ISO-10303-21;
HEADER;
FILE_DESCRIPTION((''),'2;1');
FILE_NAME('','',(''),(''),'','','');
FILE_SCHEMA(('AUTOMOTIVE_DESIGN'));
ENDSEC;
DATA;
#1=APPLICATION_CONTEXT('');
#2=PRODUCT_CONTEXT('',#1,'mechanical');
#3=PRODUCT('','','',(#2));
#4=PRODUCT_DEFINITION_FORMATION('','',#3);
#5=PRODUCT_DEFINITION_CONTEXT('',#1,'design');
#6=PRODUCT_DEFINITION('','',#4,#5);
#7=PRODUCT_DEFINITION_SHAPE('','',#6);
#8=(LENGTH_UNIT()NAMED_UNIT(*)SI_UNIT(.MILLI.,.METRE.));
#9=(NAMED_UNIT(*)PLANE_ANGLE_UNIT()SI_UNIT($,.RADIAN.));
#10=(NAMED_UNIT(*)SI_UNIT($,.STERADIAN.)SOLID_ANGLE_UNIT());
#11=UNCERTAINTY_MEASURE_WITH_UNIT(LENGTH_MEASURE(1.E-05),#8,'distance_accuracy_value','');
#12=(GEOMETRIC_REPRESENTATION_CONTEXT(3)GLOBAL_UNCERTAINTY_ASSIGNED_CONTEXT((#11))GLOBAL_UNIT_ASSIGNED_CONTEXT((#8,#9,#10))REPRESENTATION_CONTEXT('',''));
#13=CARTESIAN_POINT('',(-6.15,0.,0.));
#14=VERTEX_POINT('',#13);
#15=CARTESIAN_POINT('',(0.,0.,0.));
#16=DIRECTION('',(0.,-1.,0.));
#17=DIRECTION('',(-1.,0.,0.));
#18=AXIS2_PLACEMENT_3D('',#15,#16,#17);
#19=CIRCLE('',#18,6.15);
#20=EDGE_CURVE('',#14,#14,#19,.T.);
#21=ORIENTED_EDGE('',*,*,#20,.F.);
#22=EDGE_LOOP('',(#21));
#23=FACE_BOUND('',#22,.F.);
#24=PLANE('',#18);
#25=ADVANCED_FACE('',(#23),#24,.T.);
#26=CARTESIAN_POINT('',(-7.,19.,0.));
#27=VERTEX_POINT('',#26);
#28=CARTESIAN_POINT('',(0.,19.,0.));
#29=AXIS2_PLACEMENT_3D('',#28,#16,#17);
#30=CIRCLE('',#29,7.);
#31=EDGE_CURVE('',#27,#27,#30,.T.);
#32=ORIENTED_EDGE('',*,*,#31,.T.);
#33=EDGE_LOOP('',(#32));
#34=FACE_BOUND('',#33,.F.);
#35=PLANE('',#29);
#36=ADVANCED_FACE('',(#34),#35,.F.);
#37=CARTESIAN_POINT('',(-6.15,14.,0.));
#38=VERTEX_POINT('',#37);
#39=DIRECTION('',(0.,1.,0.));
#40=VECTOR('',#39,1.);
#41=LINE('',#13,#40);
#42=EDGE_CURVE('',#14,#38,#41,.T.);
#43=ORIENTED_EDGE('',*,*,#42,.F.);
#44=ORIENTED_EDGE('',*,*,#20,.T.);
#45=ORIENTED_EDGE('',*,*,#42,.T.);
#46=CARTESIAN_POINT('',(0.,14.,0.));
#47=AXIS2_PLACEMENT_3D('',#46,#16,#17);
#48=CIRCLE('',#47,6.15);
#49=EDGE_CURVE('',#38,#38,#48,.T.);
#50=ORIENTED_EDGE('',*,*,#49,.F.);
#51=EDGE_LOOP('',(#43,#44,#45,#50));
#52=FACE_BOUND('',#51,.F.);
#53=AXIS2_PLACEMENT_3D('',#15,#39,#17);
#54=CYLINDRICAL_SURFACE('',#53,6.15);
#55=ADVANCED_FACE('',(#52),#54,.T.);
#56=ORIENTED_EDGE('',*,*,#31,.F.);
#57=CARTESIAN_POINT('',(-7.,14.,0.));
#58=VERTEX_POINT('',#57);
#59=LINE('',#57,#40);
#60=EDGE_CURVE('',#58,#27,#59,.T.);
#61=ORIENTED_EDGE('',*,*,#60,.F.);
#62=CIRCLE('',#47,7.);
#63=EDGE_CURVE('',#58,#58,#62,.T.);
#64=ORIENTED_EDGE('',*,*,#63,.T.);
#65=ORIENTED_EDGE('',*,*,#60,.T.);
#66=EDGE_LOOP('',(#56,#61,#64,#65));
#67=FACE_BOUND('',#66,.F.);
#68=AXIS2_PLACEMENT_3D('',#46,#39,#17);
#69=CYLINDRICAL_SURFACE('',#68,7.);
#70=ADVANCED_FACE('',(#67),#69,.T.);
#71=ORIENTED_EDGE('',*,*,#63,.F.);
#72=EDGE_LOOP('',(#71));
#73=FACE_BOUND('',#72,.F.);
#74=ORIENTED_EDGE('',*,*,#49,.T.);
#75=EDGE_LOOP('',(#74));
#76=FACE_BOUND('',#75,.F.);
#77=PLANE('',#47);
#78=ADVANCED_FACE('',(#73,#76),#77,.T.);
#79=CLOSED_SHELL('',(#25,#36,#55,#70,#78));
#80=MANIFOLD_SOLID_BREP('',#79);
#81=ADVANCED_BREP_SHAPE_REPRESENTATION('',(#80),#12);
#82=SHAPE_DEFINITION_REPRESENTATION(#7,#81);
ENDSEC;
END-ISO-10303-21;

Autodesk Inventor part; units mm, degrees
ref_plane "YZ Plane" through (0, 0, 0) normal (1, 0, 0) x (0, 1, 0)
ref_plane "XZ Plane" through (0, 0, 0) normal (0, 1, 0) x (-1, 0, 0)
ref_plane "XY Plane" through (0, 0, 0) normal (0, 0, 1) x (1, 0, 0)
sketch "Skizze1" plane through (0, 0, 0) normal (0, 0, 1) x (1, 0, 0)
  line L0 (0, 0) -> (-6.15, 0)
  line L1 (-6.15, 0) -> (-6.15, 14)
  line L2 (-6.15, 14) -> (-7, 14)
  line L3 (-7, 14) -> (-7, 19)
  line L4 (-7, 19) -> (0, 19)
  line L5 (0, 19) -> (0, 0)
  dimension "d0" = 12.3
  dimension "d1" = 14
  dimension "d2" = 14
  dimension "d3" = 5
revolve "Umdrehung1" add sketch "Skizze1" angle 360 about axis through (0, 19, 0) along (0, -1, 0)
properties part number "sw1_3D-Druck"
